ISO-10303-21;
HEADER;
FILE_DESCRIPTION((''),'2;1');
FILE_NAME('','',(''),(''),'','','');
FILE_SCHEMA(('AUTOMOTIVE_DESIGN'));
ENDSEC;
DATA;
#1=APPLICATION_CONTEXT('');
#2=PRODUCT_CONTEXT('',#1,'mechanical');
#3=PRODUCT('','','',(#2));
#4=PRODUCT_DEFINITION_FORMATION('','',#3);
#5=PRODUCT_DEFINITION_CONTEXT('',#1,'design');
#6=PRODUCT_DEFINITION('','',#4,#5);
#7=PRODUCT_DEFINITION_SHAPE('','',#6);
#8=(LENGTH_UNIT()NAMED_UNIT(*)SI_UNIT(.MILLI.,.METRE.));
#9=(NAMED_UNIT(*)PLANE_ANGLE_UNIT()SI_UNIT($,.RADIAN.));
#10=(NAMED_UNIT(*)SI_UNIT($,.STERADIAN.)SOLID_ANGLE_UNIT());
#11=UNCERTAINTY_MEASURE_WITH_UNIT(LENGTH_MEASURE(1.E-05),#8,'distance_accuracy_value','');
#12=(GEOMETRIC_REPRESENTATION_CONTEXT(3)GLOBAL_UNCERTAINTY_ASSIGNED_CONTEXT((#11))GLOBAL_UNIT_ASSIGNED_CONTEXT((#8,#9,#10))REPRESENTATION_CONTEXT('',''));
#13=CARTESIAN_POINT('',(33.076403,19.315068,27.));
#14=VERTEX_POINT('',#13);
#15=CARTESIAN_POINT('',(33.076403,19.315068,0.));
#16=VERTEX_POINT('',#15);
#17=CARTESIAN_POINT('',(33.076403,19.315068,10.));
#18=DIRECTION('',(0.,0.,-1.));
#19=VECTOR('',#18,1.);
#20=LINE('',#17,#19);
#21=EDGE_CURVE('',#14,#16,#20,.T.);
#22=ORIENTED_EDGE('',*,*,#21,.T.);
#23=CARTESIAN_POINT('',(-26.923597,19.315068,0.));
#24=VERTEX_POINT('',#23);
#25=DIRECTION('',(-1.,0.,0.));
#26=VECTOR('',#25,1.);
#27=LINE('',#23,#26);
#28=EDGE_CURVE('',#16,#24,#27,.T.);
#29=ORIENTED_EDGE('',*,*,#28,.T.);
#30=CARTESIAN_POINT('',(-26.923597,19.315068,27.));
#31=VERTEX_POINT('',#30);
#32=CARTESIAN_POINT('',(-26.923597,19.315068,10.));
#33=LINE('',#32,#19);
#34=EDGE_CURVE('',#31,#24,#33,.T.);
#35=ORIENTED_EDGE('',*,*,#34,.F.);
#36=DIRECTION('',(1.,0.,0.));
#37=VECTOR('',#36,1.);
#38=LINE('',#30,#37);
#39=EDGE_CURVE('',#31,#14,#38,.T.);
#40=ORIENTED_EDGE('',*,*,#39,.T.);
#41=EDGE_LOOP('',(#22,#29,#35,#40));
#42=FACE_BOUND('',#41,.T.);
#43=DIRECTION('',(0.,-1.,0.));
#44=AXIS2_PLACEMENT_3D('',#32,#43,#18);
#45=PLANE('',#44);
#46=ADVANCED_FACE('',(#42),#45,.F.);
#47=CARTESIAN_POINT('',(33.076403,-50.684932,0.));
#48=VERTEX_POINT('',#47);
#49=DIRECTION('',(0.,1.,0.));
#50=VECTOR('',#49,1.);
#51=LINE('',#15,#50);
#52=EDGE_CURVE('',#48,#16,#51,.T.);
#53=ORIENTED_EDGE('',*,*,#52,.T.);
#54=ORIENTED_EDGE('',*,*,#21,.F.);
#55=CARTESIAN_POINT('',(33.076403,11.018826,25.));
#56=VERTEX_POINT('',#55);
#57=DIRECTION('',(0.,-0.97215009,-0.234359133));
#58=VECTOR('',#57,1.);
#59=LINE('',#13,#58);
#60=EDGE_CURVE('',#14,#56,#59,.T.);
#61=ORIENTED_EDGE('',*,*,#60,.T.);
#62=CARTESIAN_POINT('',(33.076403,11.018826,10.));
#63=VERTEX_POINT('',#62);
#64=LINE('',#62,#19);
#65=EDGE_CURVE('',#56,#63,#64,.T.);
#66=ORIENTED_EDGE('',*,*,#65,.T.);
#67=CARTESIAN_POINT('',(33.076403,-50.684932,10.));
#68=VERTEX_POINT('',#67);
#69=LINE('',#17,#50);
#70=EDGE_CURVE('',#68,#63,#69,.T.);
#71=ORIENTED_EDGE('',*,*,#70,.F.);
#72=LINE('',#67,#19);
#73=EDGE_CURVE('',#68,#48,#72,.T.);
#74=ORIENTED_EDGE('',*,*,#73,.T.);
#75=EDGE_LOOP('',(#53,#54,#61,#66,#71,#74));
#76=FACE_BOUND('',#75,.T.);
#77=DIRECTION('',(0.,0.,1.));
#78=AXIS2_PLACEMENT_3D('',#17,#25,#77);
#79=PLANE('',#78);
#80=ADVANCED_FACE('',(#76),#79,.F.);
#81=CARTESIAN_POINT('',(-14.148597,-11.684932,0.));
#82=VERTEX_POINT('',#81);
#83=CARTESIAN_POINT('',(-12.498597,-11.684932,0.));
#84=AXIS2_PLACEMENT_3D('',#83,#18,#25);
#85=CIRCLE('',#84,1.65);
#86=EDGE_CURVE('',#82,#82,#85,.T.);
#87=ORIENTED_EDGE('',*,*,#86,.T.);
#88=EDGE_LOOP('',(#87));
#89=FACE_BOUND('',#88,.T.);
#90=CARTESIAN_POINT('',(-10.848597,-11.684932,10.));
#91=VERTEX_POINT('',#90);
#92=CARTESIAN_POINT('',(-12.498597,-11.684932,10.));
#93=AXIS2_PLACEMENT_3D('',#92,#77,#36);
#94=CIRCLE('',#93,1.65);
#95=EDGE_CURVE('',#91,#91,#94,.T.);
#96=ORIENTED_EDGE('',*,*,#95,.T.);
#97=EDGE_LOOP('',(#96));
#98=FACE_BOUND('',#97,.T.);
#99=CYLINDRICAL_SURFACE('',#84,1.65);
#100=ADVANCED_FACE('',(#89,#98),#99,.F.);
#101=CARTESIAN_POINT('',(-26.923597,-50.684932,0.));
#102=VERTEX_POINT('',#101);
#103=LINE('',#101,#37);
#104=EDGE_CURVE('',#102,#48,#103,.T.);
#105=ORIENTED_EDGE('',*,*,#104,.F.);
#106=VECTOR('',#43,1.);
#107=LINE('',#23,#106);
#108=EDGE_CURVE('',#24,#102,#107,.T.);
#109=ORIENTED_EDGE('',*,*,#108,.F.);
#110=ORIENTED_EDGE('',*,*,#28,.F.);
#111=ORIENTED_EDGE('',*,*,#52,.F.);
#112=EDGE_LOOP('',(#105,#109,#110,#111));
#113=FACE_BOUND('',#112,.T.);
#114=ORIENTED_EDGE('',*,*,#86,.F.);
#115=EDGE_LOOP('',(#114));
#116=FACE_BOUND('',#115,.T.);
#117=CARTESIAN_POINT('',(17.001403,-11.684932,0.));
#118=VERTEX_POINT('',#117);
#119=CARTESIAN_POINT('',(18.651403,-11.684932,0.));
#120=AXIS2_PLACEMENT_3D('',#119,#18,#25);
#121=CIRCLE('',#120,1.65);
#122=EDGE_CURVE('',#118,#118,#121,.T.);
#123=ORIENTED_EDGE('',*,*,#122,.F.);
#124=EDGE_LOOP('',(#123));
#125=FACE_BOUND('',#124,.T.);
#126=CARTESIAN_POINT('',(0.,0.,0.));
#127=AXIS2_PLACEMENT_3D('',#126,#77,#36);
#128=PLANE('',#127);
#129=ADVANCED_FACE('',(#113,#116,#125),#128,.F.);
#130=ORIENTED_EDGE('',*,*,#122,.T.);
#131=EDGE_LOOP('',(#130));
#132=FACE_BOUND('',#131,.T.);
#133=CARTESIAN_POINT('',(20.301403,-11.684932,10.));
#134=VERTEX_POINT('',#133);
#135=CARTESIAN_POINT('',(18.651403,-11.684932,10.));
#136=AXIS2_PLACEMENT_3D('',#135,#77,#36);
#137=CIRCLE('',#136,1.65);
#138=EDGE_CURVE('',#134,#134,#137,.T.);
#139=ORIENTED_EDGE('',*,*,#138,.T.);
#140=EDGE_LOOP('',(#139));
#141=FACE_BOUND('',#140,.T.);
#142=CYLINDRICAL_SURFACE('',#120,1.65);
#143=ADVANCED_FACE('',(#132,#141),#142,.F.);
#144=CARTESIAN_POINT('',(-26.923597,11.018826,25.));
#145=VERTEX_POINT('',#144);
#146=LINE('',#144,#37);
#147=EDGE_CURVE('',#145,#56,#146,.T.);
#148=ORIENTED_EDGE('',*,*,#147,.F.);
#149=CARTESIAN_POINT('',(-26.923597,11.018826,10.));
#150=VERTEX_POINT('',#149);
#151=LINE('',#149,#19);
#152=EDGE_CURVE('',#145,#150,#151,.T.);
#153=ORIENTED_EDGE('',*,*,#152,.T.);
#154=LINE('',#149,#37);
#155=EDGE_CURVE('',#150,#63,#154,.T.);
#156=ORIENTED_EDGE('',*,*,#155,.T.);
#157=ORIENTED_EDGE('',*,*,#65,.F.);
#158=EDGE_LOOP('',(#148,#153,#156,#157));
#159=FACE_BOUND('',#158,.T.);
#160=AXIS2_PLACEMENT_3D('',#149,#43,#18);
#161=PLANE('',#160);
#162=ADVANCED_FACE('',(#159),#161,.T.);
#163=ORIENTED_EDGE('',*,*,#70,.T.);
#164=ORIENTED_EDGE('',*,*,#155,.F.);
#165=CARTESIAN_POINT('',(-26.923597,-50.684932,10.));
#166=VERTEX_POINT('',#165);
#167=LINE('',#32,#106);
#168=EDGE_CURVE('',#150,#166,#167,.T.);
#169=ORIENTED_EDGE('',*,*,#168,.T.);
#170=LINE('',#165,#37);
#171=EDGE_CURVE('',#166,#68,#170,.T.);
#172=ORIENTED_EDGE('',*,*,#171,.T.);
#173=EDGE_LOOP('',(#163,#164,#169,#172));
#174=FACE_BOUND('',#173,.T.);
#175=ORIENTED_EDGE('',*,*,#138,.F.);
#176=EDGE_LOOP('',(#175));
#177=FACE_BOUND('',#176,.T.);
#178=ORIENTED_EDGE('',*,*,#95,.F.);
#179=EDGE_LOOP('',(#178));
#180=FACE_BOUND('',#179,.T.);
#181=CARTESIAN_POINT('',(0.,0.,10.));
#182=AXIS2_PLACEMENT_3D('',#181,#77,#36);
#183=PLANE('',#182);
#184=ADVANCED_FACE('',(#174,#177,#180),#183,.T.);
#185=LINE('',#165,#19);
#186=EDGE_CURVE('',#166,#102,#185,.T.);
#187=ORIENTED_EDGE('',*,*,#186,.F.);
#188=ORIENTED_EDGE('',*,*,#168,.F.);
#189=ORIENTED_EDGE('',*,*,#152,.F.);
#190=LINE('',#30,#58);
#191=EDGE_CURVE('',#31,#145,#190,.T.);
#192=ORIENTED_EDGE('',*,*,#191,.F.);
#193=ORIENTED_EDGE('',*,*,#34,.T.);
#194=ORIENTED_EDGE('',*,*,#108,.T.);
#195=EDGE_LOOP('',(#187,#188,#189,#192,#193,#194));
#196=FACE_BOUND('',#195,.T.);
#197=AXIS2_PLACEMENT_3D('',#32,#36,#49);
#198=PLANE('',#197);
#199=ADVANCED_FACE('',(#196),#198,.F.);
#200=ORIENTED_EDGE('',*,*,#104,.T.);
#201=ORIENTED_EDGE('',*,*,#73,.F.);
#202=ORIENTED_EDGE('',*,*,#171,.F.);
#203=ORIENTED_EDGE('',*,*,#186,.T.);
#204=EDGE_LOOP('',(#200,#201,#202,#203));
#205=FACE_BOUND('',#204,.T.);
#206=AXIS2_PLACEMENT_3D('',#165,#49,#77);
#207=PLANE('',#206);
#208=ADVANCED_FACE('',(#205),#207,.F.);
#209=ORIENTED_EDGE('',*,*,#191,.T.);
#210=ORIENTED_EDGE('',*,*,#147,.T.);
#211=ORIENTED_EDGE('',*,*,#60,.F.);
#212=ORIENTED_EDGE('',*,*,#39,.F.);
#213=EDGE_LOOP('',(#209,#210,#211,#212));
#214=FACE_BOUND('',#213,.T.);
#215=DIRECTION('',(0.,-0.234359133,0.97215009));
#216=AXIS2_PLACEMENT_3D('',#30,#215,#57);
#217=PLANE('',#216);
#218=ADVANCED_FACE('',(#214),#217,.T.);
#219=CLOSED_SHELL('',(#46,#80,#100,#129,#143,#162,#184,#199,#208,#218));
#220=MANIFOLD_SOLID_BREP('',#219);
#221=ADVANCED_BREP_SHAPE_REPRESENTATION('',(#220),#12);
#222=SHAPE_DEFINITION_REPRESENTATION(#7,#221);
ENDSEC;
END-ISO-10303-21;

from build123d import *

# Parameters (mm, degrees)
ESQUISSE1_W           = 60
ESQUISSE1_H           = 70
BOSS_EXTRU_1_DEPTH    = 10
BOSS_EXTRU_2_DEPTH    = 60
TROU_TARAUD_M41_D     = 3.3
TROU_TARAUD_M41_DEPTH = 11.5
TROU_TARAUD_M41_TIP   = 0.991420021


with BuildPart() as part:
    # Esquisse1 → Boss.-Extru.1 (new body)
    with BuildSketch(Plane.XY):
        with Locations((3.076402568, -15.684931507)):
            Rectangle(ESQUISSE1_W, ESQUISSE1_H)
    extrude(amount=BOSS_EXTRU_1_DEPTH)

    # Esquisse2 → Boss.-Extru.2 (add)
    with BuildSketch(Plane(origin=(33.076402568, 0, 0), x_dir=(0, 0, -1), z_dir=(1, 0, 0))):
        Polygon((-27, 19.315068493), (-25, 11.018826061), (-10, 11.018826061), (-10, 19.315068493), align=None)
    extrude(amount=-BOSS_EXTRU_2_DEPTH)

    # Trou taraudé M41
    with Locations(Plane(origin=(18.651402568, -11.684931507, 0), x_dir=(-1, 0, 0), z_dir=(0, 0, -1))):
        with Locations((0, 0), (31.15, 0)):
            Hole(TROU_TARAUD_M41_D / 2, depth=TROU_TARAUD_M41_DEPTH)
            with Locations((0, 0, -(TROU_TARAUD_M41_DEPTH + TROU_TARAUD_M41_TIP / 2))):  # 118° drill point
                Cone(0, TROU_TARAUD_M41_D / 2, TROU_TARAUD_M41_TIP, mode=Mode.SUBTRACT)


solid = part.part
